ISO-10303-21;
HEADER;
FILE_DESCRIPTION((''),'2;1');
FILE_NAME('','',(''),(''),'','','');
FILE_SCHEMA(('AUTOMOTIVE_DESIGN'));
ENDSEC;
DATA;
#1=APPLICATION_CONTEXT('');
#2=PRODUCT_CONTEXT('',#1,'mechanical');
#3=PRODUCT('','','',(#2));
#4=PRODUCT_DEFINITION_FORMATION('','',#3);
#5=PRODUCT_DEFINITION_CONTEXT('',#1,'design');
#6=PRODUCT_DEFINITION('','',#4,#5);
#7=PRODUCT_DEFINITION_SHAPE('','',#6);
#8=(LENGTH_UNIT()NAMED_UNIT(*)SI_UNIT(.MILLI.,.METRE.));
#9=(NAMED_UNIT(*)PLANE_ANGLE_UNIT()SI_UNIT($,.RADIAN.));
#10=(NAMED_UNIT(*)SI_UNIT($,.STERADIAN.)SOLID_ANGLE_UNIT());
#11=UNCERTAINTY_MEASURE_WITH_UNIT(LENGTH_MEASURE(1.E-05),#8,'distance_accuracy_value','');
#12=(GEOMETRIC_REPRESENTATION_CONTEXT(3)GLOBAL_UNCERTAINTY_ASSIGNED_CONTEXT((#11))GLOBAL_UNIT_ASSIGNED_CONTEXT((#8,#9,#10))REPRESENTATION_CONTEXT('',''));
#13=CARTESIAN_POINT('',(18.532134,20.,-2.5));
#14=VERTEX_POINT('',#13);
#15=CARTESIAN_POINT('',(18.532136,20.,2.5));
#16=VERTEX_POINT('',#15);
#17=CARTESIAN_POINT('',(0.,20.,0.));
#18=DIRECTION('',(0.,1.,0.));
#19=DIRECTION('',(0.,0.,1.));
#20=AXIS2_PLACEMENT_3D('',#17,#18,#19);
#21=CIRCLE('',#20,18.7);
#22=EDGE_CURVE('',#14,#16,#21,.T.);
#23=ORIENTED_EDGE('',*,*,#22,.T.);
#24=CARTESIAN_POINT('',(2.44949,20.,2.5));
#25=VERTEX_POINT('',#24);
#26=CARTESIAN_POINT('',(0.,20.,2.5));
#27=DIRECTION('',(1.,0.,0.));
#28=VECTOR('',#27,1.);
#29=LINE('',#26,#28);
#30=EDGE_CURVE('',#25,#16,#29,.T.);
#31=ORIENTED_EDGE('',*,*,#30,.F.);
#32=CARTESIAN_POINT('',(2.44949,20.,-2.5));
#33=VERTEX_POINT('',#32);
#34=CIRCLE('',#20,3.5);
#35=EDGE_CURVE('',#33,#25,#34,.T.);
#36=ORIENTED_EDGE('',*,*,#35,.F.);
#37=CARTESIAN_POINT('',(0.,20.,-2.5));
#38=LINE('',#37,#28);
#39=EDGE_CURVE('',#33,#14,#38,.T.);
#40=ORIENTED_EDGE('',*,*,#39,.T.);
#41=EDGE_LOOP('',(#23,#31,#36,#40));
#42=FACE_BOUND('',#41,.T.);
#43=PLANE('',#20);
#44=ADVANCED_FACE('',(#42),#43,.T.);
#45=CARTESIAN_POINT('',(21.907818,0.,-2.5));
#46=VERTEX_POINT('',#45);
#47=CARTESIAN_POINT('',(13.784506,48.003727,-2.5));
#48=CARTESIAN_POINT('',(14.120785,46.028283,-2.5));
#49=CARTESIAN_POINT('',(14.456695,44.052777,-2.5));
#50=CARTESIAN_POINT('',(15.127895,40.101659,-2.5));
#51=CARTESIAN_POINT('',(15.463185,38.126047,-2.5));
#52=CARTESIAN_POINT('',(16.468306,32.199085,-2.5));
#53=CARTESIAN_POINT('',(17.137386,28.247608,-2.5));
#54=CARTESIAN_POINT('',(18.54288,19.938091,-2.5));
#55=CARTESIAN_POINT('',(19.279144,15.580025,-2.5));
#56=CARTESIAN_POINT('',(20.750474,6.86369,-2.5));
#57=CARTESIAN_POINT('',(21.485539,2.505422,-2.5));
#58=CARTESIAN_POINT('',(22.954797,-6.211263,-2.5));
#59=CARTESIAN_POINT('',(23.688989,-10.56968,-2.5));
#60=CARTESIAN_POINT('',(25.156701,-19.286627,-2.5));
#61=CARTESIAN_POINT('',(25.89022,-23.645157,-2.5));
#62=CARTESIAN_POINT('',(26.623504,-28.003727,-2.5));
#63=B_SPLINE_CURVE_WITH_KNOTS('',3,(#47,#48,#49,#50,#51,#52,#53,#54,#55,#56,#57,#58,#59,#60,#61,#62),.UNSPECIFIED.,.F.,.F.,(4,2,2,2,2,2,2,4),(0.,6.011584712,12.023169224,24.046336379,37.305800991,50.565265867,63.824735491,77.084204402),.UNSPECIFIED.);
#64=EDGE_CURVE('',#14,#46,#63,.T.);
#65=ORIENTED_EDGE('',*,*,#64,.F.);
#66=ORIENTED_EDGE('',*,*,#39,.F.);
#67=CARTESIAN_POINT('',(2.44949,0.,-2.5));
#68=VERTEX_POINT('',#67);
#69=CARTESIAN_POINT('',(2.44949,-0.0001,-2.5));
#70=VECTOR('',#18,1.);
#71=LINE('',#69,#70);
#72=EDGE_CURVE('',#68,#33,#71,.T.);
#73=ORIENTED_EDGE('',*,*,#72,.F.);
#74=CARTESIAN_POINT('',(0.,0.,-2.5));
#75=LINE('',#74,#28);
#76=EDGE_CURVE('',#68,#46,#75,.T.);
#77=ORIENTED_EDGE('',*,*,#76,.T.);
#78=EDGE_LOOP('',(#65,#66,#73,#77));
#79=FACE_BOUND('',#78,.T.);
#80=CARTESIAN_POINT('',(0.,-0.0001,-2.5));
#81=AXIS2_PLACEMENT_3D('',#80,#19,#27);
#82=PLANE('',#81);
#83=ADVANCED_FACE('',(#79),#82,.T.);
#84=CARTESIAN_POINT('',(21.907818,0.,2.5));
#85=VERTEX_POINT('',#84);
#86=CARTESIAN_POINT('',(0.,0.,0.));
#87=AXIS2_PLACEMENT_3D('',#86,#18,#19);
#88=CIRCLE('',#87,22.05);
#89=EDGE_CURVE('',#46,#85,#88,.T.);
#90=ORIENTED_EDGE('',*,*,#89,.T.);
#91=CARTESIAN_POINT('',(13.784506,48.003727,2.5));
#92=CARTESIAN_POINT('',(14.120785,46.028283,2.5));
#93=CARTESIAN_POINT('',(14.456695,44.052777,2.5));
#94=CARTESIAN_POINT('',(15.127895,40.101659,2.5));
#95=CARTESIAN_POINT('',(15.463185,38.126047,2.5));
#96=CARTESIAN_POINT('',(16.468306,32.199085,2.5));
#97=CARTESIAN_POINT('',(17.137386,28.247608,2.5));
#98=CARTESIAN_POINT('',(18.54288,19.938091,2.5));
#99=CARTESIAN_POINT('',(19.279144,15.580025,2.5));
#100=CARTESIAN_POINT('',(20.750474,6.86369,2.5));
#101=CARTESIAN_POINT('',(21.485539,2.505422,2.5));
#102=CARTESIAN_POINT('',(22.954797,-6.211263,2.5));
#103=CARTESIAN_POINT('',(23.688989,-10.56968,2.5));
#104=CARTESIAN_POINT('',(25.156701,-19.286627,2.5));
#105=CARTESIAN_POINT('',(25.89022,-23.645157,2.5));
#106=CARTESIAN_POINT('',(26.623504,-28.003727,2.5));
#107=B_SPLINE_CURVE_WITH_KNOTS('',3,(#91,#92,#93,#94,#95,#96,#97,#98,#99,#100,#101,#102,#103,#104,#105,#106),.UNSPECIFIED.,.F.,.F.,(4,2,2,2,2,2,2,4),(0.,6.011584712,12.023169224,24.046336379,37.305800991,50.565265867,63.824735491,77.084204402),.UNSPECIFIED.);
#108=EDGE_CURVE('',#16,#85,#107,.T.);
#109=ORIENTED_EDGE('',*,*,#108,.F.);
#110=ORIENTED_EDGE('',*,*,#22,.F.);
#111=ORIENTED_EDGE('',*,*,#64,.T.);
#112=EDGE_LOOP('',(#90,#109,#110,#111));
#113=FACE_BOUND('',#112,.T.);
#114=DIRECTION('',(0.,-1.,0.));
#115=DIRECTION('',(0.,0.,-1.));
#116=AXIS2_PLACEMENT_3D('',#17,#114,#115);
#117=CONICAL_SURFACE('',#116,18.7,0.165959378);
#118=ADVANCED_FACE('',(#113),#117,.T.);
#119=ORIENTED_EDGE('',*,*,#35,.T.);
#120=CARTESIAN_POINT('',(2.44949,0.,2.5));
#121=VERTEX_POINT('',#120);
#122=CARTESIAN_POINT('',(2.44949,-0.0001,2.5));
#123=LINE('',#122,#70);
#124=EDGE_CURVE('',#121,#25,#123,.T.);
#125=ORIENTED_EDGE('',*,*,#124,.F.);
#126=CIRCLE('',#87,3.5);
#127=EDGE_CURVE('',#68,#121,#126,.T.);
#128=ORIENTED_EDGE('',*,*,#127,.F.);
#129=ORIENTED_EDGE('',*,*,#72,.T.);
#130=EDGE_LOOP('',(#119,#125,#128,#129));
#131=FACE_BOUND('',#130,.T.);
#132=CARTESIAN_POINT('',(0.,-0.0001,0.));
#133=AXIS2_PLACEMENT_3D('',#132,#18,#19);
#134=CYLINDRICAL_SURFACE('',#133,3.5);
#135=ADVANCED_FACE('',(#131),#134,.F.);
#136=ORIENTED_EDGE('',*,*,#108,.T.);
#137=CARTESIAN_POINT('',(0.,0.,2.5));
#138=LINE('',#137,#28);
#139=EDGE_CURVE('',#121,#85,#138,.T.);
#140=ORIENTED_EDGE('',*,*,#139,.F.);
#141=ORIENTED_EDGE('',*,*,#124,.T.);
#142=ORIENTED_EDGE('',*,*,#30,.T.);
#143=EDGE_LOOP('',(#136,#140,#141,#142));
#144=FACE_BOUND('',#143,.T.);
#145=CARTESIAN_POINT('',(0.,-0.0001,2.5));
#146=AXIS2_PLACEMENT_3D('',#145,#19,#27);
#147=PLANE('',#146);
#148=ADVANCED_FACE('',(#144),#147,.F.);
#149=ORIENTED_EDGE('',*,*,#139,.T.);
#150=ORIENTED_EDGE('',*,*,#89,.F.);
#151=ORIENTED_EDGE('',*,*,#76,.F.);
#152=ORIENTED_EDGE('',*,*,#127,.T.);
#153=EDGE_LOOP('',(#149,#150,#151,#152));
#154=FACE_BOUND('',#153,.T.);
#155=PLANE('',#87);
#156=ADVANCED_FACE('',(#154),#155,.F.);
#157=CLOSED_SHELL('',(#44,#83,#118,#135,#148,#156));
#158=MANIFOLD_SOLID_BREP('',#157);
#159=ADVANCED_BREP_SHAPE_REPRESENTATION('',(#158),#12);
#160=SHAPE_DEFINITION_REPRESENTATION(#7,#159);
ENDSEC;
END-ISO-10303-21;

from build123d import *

# Parameters (mm, degrees)
SKETCH_1_R               = 22.05
SKETCH_2_R               = 18.7
CUT_EXTRUDE_2_DEPTH      = 1.0000001
CUT_EXTRUDE_2_DEPTH_BACK = 21.0000001


with BuildPart() as part:
    # 스케치1 → 로프트1 section 0
    with BuildSketch(Plane(origin=(0, 0, 0), x_dir=(1, 0, 0), z_dir=(0, 1, 0))):
        Circle(SKETCH_1_R)
    # 스케치2 → 로프트1 section 1
    with BuildSketch(Plane(origin=(0, 20, 0), x_dir=(1, 0, 0), z_dir=(0, 1, 0))):
        Circle(SKETCH_2_R)
    loft()

    # 스케치5 → 컷-돌출2 (cut, two sides)
    with BuildSketch(Plane(origin=(0, 20, 0), x_dir=(1, 0, 0), z_dir=(0, 1, 0))) as cut_extrude_2_sk:
        with BuildLine():
            Line((0, -2.5), (0, 2.5))
            Line((0, 2.5), (2.449489743, 2.5))
            ThreePointArc((2.449489743, 2.5), (-3.5, 0), (2.449489743, -2.5))
            Line((2.449489743, -2.5), (0, -2.5))
        make_face()
        with BuildLine():
            Line((2.449489743, 2.5), (0, 2.5))
            Line((0, 2.5), (0, -2.5))
            Line((0, -2.5), (2.449489743, -2.5))
            ThreePointArc((2.449489743, -2.5), (3.226702194, -1.355873501), (3.5, 0))
            ThreePointArc((3.5, 0), (3.226702194, 1.355873501), (2.449489743, 2.5))
        make_face()
        with BuildLine():
            Line((18.532134254, 2.5), (2.449489743, 2.5))
            ThreePointArc((2.449489743, 2.5), (3.226702194, 1.355873501), (3.5, 0))
            ThreePointArc((3.5, 0), (3.226702194, -1.355873501), (2.449489743, -2.5))
            Line((2.449489743, -2.5), (18.532134254, -2.5))
            ThreePointArc((18.532134254, -2.5), (18.657986367, -1.252814722), (18.7, 0))
            ThreePointArc((18.7, 0), (18.657986367, 1.252814722), (18.532134254, 2.5))
        make_face()
        with BuildLine():
            Line((26.590430579, 2.5), (18.532134254, 2.5))
            ThreePointArc((18.532134254, 2.5), (18.657986367, 1.252814722), (18.7, 0))
            ThreePointArc((18.7, 0), (18.657986367, -1.252814722), (18.532134254, -2.5))
            Line((18.532134254, -2.5), (26.590430579, -2.5))
            Line((26.590430579, -2.5), (26.590430579, 2.5))
        make_face()
    extrude(amount=CUT_EXTRUDE_2_DEPTH, mode=Mode.SUBTRACT)
    extrude(cut_extrude_2_sk.sketch, amount=-CUT_EXTRUDE_2_DEPTH_BACK, mode=Mode.SUBTRACT)


solid = part.part
